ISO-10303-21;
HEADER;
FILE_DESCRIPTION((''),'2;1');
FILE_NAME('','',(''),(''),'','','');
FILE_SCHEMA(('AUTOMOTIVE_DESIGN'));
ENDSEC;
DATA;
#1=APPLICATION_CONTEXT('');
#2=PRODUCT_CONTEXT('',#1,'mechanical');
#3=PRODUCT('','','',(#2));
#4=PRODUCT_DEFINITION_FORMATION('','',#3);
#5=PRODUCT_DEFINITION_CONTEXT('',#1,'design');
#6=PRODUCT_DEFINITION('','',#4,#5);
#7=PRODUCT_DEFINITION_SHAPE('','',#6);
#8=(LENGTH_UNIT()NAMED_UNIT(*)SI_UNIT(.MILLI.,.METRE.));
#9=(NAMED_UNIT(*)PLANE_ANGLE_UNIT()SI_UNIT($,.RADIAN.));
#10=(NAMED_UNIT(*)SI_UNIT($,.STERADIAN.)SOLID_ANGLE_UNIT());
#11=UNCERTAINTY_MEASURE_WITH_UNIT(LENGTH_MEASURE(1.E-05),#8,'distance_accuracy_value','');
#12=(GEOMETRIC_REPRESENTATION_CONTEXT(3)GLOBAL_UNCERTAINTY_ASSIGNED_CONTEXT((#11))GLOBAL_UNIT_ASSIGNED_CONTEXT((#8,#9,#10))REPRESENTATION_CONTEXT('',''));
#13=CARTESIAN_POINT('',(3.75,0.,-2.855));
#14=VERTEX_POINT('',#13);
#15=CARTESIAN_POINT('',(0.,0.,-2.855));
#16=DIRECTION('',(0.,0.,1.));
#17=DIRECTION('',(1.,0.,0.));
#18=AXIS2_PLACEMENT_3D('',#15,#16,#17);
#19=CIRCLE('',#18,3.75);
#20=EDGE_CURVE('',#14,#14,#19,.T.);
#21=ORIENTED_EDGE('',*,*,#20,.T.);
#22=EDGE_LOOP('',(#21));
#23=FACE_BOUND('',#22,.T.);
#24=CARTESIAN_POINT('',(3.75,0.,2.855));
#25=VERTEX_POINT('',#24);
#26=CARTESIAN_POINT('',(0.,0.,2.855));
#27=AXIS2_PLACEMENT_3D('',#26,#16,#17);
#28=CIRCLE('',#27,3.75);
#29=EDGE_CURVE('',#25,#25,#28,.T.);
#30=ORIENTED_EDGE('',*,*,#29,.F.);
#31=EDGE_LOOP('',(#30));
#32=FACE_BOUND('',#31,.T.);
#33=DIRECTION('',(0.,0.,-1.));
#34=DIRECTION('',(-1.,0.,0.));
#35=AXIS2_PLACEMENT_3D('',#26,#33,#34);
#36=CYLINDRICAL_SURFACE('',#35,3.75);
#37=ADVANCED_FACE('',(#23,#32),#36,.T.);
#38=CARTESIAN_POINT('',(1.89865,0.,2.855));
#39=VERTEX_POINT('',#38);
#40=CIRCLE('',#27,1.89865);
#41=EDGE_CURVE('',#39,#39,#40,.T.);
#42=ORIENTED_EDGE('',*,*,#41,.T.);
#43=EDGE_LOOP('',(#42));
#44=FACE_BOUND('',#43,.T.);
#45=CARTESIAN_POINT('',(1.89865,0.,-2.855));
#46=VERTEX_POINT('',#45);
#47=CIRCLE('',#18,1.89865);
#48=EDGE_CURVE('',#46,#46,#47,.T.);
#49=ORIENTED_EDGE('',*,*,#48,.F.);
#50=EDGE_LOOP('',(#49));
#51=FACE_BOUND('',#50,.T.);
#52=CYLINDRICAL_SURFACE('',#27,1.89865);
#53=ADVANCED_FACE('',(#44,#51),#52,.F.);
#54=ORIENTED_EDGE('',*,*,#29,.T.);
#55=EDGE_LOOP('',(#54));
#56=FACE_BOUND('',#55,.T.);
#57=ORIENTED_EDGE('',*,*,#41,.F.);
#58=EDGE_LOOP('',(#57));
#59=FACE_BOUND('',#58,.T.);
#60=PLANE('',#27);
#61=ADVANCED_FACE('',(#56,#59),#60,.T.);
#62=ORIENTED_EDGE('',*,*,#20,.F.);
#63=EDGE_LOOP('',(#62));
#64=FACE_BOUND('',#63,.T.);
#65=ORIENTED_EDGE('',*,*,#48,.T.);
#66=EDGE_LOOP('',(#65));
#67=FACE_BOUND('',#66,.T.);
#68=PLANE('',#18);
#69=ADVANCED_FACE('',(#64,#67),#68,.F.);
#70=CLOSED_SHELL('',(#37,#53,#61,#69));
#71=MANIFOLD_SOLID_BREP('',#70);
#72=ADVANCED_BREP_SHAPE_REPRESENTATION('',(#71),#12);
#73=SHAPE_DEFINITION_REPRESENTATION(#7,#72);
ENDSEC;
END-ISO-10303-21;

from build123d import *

# Parameters (mm, degrees)
SKETCH1_R              = 3.75
BOSS_EXTRUDE1_DEPTH    = 2.855
F_10_24_TAPPED_HOLE1_D = 3.7973


with BuildPart() as part:
    # Sketch1 → Boss-Extrude1 (new body, symmetric)
    with BuildSketch(Plane.XY):
        Circle(SKETCH1_R)
    extrude(amount=BOSS_EXTRUDE1_DEPTH, both=True)

    # #10-24 Tapped Hole1 (through all)
    with Locations(Plane.XY.offset(2.855)):
        with Locations((0, 0)):
            Hole(F_10_24_TAPPED_HOLE1_D / 2)


solid = part.part
